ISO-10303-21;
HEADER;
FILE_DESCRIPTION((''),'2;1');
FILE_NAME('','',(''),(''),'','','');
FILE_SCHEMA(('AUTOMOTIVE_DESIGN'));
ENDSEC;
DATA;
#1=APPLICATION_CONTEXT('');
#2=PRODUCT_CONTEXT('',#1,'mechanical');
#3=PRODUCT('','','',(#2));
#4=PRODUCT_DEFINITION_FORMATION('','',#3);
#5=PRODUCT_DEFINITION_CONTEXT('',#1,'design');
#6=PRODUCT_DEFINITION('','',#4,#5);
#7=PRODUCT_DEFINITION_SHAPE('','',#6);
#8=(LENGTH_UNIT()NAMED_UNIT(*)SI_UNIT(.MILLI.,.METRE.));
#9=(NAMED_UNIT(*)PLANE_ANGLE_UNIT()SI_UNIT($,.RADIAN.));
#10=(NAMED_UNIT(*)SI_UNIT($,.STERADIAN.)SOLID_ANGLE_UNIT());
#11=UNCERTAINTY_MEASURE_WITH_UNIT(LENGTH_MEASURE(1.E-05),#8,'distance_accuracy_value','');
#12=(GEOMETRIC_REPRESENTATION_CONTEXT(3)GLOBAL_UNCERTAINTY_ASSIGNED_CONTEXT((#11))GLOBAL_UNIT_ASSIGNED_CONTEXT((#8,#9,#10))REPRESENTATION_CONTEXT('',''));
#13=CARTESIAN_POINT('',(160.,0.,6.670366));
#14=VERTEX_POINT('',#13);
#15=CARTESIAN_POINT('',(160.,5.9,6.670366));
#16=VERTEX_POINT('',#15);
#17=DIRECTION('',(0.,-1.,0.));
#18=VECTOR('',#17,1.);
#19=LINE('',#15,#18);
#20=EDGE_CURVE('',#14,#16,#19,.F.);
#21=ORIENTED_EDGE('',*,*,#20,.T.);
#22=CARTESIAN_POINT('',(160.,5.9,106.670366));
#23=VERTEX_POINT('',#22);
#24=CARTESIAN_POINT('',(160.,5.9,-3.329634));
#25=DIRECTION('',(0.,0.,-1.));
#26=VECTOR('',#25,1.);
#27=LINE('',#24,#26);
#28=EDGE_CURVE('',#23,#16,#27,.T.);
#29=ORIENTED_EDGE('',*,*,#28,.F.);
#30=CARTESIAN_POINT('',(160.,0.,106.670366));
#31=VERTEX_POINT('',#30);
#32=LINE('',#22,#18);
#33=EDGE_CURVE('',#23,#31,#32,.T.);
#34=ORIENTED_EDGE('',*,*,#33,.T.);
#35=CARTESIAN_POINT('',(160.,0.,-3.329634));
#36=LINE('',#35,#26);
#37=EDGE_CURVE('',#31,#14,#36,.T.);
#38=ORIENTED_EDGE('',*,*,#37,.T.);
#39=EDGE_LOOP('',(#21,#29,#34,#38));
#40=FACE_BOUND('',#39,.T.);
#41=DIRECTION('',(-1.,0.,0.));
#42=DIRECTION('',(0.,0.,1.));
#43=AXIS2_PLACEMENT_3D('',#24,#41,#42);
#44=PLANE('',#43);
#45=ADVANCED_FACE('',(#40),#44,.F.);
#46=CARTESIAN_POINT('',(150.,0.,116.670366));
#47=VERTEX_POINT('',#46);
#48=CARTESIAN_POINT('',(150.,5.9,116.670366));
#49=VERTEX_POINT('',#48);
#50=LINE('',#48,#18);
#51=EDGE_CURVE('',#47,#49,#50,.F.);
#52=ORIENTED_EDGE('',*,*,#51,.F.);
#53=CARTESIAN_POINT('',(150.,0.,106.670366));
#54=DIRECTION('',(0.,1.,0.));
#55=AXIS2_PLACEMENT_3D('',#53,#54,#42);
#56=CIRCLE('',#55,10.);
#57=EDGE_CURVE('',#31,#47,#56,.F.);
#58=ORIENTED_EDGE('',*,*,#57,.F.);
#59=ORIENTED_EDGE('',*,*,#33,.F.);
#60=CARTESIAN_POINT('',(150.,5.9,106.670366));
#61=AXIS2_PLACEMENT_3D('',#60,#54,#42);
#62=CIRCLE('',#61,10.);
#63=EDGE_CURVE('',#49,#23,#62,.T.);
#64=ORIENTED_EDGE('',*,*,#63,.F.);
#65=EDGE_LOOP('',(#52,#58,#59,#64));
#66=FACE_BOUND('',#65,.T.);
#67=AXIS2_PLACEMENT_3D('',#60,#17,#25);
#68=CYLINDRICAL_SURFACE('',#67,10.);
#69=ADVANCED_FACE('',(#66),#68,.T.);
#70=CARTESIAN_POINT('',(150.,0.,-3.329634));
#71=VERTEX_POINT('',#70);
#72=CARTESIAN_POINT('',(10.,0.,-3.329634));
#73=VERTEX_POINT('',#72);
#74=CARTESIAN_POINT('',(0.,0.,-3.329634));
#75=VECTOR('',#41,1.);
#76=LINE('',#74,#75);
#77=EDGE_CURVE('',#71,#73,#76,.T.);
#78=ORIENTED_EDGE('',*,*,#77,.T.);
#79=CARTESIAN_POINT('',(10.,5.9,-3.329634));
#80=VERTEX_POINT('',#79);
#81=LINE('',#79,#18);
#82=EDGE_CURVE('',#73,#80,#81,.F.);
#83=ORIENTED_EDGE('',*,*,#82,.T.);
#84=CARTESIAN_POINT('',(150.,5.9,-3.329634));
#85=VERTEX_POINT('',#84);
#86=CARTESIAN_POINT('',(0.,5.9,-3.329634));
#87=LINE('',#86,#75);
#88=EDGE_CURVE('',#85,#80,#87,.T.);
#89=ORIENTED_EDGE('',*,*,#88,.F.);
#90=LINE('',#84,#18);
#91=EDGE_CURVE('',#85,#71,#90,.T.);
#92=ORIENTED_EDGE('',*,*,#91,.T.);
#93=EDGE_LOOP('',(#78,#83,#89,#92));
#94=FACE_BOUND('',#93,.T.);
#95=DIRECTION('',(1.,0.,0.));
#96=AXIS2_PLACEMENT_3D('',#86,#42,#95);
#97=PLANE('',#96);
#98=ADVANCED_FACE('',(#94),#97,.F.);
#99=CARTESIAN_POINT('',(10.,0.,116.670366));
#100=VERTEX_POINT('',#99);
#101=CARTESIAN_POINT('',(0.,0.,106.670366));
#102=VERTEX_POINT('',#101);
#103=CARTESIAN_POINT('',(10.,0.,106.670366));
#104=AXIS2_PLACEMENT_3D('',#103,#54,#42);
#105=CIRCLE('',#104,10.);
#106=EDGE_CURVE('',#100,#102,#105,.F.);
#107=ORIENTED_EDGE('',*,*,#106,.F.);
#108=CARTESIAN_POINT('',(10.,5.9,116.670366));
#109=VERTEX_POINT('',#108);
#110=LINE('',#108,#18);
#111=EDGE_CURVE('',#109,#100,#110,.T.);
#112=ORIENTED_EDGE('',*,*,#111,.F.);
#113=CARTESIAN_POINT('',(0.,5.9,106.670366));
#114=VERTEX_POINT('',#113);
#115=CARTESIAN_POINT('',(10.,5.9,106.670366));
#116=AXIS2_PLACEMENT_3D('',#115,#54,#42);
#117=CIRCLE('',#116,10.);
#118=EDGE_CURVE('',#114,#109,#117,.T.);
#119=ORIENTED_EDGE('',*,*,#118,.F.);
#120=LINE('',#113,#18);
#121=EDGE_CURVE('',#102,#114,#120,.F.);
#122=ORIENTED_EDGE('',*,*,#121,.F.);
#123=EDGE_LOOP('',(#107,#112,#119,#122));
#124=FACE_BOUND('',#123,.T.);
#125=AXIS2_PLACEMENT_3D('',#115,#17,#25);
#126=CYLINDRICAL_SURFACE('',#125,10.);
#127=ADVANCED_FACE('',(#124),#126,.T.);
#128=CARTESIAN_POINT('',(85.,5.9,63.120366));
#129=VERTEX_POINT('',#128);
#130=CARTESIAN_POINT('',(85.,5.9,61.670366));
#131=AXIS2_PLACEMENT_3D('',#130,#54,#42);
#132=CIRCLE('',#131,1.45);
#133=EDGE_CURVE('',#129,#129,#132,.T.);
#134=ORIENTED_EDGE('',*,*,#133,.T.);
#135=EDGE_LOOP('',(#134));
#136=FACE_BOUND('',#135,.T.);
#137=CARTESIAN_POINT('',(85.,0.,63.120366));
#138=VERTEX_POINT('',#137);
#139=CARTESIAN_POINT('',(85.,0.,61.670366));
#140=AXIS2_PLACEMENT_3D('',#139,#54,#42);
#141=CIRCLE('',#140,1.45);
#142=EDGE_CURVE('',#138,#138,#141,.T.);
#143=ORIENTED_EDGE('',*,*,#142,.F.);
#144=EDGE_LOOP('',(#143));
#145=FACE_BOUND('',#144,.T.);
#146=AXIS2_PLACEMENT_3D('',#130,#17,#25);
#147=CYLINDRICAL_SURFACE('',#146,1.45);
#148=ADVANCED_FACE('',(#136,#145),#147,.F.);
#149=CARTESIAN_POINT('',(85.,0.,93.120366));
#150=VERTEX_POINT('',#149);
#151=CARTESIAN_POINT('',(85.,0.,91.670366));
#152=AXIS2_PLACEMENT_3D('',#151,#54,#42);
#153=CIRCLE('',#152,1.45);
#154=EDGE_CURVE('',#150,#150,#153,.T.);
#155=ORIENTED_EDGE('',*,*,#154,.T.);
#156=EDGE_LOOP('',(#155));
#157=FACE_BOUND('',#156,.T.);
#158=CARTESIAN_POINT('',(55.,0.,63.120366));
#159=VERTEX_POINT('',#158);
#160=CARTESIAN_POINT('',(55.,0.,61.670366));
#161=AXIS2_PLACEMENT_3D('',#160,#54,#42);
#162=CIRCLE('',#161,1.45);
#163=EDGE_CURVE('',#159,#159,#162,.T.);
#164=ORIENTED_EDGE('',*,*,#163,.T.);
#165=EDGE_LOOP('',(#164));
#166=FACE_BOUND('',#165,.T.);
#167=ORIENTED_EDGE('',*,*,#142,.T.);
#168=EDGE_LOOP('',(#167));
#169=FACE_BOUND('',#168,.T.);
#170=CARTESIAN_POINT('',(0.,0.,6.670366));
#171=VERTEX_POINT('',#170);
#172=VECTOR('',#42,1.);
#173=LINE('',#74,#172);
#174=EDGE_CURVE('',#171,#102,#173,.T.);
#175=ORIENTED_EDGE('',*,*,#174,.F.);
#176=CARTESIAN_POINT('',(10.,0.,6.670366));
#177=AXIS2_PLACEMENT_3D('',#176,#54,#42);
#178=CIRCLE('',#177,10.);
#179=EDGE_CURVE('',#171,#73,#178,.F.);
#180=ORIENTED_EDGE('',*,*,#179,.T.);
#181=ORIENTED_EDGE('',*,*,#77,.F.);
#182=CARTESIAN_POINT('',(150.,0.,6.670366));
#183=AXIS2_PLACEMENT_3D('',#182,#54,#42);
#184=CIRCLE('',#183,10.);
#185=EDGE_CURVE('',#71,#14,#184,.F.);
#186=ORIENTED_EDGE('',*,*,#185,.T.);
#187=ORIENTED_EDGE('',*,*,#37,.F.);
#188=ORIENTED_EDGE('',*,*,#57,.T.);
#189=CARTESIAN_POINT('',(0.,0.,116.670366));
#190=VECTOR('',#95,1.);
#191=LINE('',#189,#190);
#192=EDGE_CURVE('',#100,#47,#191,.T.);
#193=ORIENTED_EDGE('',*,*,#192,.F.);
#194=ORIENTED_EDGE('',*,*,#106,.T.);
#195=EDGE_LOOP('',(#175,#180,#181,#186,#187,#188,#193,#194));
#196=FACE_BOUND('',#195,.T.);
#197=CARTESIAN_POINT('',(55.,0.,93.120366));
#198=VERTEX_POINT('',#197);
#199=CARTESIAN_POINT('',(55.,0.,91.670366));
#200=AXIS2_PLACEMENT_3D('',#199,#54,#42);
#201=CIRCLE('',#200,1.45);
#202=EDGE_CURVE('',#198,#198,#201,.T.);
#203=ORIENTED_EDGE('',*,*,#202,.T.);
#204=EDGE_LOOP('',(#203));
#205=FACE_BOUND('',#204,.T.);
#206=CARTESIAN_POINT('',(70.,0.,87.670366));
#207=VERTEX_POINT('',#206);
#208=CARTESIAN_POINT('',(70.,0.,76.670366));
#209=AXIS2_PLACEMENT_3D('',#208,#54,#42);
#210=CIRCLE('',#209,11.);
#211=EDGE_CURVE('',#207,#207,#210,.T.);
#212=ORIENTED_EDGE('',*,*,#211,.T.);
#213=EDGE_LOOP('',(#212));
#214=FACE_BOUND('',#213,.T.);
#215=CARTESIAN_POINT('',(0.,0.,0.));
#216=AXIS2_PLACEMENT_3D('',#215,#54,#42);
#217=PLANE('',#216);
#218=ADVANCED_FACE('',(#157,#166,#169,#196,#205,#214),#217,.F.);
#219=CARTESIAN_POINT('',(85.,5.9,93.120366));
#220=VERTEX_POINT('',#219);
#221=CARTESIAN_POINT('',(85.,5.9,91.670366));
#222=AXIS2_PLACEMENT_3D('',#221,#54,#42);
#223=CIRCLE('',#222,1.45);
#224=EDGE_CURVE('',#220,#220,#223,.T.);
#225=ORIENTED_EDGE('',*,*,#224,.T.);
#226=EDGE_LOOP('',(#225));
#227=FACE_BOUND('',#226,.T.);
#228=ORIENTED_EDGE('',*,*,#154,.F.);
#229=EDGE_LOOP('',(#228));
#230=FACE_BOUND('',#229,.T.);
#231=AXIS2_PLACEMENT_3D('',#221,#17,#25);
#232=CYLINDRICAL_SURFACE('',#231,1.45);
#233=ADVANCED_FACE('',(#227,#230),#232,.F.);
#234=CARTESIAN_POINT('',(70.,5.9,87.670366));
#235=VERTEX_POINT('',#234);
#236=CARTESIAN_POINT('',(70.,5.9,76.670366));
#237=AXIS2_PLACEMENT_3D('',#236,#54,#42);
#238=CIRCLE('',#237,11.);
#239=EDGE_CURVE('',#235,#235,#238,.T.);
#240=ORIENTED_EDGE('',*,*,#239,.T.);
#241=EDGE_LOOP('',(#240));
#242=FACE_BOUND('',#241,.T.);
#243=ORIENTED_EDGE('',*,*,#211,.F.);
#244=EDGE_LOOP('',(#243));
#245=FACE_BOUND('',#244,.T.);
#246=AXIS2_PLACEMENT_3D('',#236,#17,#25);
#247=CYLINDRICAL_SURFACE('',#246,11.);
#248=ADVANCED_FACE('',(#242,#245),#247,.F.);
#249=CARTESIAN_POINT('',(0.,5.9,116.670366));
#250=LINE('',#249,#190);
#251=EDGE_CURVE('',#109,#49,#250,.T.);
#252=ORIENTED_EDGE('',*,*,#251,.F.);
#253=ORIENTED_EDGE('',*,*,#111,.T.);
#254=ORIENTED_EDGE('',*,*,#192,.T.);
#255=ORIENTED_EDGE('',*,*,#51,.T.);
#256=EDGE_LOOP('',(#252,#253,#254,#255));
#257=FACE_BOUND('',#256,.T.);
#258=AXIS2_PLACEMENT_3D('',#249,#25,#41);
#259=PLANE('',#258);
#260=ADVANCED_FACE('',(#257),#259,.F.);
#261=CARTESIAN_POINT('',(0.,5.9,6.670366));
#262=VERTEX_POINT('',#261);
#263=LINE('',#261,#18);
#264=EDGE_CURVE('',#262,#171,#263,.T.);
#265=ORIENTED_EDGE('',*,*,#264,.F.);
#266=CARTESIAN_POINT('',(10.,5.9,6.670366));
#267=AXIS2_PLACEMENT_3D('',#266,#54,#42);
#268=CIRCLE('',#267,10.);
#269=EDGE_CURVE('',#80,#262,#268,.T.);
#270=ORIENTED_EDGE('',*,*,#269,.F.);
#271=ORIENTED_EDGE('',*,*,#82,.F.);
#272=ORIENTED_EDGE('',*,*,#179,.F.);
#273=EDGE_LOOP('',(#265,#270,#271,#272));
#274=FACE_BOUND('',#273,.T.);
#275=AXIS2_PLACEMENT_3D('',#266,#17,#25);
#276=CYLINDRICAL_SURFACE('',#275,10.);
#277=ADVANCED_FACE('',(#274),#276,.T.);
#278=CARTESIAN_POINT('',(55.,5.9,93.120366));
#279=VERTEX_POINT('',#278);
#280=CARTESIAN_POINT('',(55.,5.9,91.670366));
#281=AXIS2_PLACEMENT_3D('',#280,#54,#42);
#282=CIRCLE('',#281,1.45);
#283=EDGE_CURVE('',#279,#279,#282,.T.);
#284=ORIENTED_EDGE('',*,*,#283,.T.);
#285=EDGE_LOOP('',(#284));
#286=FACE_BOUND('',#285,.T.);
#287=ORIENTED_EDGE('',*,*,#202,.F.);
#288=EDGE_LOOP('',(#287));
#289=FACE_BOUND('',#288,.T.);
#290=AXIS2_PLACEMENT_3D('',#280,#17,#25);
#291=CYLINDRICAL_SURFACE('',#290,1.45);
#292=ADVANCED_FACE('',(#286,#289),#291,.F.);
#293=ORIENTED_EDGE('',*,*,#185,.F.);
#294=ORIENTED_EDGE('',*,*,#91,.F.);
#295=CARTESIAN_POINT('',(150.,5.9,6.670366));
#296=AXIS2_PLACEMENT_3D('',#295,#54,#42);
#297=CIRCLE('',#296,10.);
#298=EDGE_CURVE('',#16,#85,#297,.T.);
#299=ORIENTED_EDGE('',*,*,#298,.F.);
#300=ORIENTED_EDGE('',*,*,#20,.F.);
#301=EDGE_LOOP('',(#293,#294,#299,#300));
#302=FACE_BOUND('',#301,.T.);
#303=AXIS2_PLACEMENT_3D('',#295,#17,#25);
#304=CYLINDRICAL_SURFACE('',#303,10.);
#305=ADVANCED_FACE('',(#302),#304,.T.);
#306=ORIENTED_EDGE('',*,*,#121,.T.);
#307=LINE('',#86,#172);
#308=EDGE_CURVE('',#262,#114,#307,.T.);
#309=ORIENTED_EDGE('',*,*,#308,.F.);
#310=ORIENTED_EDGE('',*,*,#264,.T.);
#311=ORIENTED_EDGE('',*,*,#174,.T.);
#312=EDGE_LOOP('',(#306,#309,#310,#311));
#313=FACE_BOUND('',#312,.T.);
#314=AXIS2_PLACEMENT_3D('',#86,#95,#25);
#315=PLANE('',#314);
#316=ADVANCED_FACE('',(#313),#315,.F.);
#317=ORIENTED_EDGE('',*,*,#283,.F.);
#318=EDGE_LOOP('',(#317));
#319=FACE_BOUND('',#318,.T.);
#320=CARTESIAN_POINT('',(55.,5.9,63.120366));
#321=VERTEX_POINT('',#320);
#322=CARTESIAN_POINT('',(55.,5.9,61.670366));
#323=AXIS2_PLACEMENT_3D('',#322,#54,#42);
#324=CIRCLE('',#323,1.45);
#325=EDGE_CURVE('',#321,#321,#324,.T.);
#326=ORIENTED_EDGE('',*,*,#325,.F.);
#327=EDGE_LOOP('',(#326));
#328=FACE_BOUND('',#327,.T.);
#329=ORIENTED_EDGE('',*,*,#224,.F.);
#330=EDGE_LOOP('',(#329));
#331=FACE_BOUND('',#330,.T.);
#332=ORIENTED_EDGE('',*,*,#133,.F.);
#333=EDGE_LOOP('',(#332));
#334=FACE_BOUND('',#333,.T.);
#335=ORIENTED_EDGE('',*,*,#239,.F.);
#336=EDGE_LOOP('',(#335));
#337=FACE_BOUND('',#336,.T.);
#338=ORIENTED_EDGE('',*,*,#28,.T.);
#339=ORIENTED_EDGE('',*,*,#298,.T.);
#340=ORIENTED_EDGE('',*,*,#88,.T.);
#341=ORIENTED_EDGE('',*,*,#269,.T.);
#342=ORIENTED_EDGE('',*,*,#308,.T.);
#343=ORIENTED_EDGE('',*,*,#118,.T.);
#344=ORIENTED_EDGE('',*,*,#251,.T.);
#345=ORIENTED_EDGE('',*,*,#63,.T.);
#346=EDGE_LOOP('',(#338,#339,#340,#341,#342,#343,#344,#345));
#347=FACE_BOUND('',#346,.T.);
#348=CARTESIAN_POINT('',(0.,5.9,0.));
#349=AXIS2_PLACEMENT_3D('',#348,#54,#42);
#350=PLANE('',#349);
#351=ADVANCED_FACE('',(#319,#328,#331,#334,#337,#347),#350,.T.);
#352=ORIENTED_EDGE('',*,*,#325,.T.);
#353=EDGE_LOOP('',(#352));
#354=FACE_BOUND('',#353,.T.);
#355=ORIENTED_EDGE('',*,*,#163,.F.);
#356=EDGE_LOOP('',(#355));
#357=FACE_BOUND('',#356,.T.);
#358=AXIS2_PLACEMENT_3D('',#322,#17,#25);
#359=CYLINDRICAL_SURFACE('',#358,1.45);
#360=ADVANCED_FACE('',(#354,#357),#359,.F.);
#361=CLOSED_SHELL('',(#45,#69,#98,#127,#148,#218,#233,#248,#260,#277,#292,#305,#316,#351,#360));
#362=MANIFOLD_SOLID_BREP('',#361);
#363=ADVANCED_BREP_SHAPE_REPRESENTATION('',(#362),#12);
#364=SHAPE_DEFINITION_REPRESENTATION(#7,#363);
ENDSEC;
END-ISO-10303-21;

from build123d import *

# Parameters (mm, degrees)
SKETCH3_W           = 160
SKETCH3_H           = 120
SKETCH3_R           = 11
SKETCH3_R_2         = 1.45
BOSS_EXTRUDE1_DEPTH = 5.9
FILLET1_R           = 10


with BuildPart() as part:
    # Sketch3 → Boss-Extrude1 (new body)
    with BuildSketch(Plane(origin=(0, 0, 0), x_dir=(1, 0, 0), z_dir=(0, 1, 0))):
        with Locations((80, -56.67036626)):
            Rectangle(SKETCH3_W, SKETCH3_H)
        with Locations(Location((70, -76.67036626, 0), (0, 0, 270))):
            Circle(SKETCH3_R, mode=Mode.SUBTRACT)
        with Locations(Location((55, -61.67036626, 0), (0, 0, 270))):
            Circle(SKETCH3_R_2, mode=Mode.SUBTRACT)
        with Locations(Location((85, -61.67036626, 0), (0, 0, 270))):
            Circle(SKETCH3_R_2, mode=Mode.SUBTRACT)
        with Locations(Location((85, -91.67036626, 0), (0, 0, 270))):
            Circle(SKETCH3_R_2, mode=Mode.SUBTRACT)
        with Locations(Location((55, -91.67036626, 0), (0, 0, 270))):
            Circle(SKETCH3_R_2, mode=Mode.SUBTRACT)
    extrude(amount=BOSS_EXTRUDE1_DEPTH)

    # Fillet1
    fillet1_edges = [part.edges().sort_by_distance(p)[0] for p in [
        (0, 2.95, -3.32963374),
        (160, 2.95, -3.32963374),
        (160, 2.95, 116.67036626),
        (0, 2.95, 116.67036626),
    ]]
    fillet(fillet1_edges, radius=FILLET1_R)


solid = part.part
